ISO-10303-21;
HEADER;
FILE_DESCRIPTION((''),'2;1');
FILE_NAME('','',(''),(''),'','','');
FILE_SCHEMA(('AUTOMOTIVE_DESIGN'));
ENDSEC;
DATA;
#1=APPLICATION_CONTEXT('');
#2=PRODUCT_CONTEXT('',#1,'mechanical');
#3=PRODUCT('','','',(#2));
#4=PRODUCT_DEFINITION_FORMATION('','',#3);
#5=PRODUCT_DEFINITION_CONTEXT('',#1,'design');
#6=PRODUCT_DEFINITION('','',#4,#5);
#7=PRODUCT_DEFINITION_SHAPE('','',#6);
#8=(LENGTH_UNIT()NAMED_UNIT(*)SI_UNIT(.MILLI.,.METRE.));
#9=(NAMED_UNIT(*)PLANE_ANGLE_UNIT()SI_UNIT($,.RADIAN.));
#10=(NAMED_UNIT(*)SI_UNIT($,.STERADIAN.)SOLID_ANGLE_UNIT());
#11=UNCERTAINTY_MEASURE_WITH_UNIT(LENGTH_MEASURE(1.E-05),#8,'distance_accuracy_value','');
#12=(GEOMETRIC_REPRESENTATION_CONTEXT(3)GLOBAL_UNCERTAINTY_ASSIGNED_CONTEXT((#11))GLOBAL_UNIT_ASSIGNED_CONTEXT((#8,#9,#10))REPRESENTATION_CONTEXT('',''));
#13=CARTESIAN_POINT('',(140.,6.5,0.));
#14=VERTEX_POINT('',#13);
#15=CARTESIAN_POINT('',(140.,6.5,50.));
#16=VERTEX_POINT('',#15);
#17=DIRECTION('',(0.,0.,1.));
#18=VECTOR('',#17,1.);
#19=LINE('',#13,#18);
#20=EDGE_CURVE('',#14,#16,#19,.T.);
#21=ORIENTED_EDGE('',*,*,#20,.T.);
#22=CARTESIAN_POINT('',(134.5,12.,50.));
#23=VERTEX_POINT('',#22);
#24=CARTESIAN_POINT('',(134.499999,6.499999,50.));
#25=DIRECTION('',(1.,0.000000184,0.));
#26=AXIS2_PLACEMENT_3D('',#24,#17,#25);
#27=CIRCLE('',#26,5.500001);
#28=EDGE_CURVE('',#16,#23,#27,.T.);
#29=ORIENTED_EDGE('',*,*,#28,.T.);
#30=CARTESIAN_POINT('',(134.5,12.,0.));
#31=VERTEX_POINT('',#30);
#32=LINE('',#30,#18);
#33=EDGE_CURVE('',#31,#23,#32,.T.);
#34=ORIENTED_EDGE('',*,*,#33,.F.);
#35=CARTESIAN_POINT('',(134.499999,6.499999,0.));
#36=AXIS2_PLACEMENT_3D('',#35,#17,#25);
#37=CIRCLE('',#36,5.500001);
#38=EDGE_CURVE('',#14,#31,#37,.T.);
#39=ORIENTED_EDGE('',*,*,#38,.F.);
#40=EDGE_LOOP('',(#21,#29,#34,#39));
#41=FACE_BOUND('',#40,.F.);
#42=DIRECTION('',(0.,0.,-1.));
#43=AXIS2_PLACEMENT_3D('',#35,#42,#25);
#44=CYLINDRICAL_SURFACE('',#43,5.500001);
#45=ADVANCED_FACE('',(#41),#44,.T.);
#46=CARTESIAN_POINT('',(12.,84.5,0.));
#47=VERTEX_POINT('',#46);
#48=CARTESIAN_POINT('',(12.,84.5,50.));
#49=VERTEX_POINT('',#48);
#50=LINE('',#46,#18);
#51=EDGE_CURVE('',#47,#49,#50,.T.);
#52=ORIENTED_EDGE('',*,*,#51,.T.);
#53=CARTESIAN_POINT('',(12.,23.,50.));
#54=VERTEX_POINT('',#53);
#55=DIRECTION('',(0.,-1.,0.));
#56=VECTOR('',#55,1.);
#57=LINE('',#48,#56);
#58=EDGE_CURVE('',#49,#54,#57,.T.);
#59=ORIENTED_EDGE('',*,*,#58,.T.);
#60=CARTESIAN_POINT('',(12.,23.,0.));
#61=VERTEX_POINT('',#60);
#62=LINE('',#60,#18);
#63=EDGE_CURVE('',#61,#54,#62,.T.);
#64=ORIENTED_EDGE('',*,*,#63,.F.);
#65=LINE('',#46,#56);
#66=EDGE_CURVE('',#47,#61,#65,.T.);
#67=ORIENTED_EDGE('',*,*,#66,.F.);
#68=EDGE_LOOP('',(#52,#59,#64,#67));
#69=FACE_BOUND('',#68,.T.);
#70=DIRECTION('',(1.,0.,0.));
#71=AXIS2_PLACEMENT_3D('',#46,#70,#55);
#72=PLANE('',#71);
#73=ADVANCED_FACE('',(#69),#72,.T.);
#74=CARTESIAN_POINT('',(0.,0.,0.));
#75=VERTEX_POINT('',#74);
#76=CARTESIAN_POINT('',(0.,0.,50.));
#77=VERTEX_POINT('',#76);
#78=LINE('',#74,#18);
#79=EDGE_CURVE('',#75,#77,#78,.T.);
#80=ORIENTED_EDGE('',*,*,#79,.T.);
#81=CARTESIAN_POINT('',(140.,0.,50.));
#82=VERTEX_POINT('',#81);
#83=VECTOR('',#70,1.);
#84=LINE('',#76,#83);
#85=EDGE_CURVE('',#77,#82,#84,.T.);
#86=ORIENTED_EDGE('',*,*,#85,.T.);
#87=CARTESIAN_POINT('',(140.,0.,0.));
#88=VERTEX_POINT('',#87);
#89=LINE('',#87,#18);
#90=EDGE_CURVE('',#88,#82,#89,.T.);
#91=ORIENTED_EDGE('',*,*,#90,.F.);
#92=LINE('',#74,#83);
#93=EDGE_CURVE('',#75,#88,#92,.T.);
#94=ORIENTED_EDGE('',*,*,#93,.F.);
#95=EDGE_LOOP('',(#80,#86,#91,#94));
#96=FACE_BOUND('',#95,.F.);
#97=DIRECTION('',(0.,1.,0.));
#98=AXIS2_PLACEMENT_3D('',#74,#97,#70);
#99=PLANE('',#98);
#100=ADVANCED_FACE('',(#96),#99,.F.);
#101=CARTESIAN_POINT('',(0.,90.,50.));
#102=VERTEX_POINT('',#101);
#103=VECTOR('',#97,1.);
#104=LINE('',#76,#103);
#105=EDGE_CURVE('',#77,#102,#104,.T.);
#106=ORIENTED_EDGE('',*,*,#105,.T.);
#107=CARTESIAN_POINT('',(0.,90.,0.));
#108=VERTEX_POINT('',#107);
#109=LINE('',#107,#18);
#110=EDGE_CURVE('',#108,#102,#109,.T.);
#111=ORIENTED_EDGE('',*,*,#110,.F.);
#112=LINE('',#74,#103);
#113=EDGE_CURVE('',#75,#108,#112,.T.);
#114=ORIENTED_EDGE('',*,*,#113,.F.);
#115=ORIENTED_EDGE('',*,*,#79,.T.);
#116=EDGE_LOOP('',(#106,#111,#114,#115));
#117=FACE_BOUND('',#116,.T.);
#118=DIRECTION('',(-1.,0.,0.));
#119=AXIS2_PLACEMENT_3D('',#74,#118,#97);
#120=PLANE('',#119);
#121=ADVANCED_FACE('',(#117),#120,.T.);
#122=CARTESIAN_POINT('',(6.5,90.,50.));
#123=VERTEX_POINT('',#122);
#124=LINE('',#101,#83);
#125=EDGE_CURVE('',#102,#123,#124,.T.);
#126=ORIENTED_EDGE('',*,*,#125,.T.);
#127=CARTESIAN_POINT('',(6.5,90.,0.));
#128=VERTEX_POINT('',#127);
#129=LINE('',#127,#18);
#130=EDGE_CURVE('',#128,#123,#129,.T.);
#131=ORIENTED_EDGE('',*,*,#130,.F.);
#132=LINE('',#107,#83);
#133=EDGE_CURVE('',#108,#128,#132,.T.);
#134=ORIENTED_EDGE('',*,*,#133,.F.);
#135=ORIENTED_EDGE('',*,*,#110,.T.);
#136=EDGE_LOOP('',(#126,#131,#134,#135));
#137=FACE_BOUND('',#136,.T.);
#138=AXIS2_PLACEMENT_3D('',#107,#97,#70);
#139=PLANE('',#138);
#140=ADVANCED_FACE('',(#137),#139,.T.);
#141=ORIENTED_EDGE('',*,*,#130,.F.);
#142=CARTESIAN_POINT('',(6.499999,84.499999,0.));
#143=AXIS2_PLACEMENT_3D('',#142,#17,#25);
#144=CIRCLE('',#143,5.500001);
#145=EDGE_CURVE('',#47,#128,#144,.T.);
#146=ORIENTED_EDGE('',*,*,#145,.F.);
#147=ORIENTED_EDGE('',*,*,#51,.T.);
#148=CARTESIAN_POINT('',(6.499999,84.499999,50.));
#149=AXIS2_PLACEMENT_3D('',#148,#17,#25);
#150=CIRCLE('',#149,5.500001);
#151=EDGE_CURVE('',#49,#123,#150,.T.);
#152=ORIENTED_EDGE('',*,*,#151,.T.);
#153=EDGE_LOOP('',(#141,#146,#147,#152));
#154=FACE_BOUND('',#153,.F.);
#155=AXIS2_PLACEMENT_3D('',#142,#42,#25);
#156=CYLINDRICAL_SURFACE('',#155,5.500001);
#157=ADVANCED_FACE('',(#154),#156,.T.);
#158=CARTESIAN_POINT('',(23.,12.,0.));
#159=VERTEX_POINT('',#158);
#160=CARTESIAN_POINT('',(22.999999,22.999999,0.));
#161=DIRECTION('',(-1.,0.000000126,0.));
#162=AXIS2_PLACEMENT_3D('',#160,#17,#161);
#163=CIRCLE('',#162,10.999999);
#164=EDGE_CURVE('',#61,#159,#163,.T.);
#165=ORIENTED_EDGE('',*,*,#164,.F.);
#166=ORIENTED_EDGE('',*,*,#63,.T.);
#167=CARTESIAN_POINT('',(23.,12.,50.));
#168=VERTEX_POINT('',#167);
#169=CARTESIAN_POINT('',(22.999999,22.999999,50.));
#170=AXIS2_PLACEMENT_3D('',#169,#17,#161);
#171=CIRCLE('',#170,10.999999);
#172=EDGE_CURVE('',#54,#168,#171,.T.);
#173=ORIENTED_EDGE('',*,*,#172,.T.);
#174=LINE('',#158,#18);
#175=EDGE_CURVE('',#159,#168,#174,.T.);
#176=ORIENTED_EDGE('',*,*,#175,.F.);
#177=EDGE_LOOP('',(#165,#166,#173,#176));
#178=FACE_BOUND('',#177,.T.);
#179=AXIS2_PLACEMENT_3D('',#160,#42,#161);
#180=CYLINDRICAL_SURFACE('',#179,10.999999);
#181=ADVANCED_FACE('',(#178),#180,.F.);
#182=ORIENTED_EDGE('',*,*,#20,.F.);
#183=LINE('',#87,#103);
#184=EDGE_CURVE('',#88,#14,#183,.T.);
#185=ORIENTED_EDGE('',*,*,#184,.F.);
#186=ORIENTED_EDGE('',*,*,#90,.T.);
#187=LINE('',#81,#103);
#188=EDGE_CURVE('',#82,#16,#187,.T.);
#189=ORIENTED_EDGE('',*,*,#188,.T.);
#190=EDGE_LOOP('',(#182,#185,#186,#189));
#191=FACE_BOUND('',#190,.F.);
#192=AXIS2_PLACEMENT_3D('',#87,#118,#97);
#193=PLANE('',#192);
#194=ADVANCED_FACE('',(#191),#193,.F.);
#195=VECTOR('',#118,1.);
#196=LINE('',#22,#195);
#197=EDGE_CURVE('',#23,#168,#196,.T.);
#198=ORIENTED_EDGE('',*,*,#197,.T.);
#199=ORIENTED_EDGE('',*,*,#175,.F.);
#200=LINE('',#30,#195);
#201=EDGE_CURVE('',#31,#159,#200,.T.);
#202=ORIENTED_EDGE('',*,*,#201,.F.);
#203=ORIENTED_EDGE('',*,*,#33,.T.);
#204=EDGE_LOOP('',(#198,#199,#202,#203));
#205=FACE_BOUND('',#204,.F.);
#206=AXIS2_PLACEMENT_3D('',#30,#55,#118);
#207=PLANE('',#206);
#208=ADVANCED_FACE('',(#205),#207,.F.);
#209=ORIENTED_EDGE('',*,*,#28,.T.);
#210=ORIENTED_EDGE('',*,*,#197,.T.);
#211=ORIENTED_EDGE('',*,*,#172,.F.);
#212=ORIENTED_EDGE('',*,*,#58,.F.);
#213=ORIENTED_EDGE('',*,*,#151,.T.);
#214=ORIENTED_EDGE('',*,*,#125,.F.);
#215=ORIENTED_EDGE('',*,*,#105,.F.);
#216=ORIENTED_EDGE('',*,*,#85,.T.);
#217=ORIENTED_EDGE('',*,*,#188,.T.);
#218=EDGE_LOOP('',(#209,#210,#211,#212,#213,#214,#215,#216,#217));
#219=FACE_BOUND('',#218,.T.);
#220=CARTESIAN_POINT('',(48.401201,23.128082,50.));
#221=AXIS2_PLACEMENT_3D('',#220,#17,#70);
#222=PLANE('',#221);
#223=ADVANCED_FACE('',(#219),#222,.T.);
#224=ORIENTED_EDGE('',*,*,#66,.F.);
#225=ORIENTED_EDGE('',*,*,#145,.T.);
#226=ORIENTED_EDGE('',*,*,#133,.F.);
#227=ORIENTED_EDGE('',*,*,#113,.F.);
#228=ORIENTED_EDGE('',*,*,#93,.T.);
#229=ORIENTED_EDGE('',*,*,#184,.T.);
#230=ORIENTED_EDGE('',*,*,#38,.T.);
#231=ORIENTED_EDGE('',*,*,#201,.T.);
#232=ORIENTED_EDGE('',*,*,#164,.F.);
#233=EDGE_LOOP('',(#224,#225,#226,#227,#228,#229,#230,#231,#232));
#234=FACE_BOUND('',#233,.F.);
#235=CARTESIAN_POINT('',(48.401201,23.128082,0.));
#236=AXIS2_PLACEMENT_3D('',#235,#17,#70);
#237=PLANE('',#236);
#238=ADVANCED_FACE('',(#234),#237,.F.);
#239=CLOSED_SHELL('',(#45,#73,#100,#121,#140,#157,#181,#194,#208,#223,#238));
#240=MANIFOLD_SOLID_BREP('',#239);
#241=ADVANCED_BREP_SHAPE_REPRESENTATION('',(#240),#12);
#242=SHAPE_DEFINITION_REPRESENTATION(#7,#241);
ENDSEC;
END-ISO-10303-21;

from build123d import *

# Parameters (mm, degrees)
EXTRUDE_DEPTH = 50


with BuildPart() as part:
    # Sketch → Extrude (new body)
    with BuildSketch(Plane.XY):
        with BuildLine():
            Line((0, 0), (140, 0))
            Line((140, 0), (140, 6.5))
            ThreePointArc((140, 6.5), (138.389087, 10.389087), (134.5, 12))
            Line((134.5, 12), (23, 12))
            ThreePointArc((12, 23), (15.221825, 15.221825), (23, 12))
            Line((12, 84.5), (12, 23))
            ThreePointArc((12, 84.5), (10.389087, 88.389087), (6.5, 90))
            Line((0, 90), (6.5, 90))
            Line((0, 0), (0, 90))
        make_face()
    extrude(amount=EXTRUDE_DEPTH)


solid = part.part
